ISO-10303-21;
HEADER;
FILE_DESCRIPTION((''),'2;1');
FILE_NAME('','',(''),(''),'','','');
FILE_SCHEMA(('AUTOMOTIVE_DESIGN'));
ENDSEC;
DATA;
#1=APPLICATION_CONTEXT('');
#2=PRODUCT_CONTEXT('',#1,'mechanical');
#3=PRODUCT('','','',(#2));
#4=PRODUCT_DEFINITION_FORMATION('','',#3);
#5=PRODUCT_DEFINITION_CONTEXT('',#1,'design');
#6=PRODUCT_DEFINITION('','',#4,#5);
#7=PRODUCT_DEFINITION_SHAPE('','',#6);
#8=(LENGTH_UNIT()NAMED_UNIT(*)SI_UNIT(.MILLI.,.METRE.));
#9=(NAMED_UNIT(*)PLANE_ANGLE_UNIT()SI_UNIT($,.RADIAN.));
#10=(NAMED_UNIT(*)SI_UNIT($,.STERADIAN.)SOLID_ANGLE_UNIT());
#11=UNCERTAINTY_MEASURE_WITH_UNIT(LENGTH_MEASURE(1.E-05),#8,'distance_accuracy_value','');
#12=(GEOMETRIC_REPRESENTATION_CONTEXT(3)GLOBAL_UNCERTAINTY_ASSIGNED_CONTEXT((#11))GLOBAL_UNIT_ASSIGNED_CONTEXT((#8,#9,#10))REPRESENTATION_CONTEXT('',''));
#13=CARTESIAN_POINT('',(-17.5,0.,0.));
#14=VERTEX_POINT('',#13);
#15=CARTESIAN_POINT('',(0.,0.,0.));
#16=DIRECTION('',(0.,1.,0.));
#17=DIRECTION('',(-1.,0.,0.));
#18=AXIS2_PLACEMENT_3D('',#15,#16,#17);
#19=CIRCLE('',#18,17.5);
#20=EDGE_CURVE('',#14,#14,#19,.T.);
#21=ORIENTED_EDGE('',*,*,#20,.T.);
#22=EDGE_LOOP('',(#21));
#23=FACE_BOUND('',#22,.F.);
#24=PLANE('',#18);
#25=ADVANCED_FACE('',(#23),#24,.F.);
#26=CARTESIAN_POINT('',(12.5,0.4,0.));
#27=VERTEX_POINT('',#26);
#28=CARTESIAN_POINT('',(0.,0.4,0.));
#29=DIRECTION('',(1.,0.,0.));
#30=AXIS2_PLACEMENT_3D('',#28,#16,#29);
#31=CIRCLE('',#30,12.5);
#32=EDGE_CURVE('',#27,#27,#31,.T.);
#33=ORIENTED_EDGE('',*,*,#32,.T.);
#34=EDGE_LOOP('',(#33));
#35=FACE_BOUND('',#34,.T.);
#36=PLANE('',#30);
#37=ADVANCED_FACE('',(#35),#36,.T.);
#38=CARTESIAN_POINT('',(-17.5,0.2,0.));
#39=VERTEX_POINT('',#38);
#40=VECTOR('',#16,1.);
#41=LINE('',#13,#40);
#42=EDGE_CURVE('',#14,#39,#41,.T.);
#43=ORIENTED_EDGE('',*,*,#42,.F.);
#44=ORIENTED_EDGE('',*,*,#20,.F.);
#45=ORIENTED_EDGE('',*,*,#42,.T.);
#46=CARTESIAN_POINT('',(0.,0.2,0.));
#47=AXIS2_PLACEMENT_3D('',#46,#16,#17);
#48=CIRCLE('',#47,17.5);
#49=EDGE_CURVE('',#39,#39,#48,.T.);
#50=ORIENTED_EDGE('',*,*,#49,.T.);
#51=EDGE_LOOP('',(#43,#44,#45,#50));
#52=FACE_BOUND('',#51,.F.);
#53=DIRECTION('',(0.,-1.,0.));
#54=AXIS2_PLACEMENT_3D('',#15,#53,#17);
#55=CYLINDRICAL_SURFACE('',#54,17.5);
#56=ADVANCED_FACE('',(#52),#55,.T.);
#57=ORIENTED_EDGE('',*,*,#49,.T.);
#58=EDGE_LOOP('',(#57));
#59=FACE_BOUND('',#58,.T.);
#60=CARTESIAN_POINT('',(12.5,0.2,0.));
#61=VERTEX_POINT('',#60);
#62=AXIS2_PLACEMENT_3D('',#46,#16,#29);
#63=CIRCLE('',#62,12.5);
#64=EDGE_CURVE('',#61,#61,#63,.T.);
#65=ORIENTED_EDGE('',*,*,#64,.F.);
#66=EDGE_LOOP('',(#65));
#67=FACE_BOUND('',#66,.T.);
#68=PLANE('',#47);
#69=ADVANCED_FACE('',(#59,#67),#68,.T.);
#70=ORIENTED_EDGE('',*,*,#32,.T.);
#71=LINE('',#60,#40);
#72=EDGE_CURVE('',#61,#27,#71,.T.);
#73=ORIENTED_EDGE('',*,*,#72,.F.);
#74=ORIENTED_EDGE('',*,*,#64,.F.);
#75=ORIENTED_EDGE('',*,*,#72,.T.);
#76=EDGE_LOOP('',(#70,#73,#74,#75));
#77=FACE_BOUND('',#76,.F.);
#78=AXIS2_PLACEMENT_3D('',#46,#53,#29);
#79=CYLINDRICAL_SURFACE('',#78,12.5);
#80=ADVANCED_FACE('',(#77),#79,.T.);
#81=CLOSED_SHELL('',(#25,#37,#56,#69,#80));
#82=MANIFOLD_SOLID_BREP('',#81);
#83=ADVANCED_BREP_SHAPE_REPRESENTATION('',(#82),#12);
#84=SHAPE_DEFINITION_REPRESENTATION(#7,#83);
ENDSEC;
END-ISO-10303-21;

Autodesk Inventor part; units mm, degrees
ref_plane "YZ Plane" through (0, 0, 0) normal (1, 0, 0) x (0, 1, 0)
ref_plane "XZ Plane" through (0, 0, 0) normal (0, 1, 0) x (-1, 0, 0)
ref_plane "XY Plane" through (0, 0, 0) normal (0, 0, 1) x (1, 0, 0)
sketch "Sketch1" plane through (0, 0, 0) normal (0, 1, 0) x (-1, 0, 0)
  circle A0 centre (0, 0) radius 17.5
  dimension "d0" = 35
extrude "Extrusion1" add sketch "Sketch1" along normal blind 0.2
sketch "Sketch2" plane through (0, 0.2, 0) normal (0, 1, 0) x (1, 0, 0)
  circle A0 centre (0, 0) radius 12.5
  dimension "d3" = 25
extrude "Extrusion2" add sketch "Sketch2" along normal blind 0.2
properties part number "35mm-sensor"
